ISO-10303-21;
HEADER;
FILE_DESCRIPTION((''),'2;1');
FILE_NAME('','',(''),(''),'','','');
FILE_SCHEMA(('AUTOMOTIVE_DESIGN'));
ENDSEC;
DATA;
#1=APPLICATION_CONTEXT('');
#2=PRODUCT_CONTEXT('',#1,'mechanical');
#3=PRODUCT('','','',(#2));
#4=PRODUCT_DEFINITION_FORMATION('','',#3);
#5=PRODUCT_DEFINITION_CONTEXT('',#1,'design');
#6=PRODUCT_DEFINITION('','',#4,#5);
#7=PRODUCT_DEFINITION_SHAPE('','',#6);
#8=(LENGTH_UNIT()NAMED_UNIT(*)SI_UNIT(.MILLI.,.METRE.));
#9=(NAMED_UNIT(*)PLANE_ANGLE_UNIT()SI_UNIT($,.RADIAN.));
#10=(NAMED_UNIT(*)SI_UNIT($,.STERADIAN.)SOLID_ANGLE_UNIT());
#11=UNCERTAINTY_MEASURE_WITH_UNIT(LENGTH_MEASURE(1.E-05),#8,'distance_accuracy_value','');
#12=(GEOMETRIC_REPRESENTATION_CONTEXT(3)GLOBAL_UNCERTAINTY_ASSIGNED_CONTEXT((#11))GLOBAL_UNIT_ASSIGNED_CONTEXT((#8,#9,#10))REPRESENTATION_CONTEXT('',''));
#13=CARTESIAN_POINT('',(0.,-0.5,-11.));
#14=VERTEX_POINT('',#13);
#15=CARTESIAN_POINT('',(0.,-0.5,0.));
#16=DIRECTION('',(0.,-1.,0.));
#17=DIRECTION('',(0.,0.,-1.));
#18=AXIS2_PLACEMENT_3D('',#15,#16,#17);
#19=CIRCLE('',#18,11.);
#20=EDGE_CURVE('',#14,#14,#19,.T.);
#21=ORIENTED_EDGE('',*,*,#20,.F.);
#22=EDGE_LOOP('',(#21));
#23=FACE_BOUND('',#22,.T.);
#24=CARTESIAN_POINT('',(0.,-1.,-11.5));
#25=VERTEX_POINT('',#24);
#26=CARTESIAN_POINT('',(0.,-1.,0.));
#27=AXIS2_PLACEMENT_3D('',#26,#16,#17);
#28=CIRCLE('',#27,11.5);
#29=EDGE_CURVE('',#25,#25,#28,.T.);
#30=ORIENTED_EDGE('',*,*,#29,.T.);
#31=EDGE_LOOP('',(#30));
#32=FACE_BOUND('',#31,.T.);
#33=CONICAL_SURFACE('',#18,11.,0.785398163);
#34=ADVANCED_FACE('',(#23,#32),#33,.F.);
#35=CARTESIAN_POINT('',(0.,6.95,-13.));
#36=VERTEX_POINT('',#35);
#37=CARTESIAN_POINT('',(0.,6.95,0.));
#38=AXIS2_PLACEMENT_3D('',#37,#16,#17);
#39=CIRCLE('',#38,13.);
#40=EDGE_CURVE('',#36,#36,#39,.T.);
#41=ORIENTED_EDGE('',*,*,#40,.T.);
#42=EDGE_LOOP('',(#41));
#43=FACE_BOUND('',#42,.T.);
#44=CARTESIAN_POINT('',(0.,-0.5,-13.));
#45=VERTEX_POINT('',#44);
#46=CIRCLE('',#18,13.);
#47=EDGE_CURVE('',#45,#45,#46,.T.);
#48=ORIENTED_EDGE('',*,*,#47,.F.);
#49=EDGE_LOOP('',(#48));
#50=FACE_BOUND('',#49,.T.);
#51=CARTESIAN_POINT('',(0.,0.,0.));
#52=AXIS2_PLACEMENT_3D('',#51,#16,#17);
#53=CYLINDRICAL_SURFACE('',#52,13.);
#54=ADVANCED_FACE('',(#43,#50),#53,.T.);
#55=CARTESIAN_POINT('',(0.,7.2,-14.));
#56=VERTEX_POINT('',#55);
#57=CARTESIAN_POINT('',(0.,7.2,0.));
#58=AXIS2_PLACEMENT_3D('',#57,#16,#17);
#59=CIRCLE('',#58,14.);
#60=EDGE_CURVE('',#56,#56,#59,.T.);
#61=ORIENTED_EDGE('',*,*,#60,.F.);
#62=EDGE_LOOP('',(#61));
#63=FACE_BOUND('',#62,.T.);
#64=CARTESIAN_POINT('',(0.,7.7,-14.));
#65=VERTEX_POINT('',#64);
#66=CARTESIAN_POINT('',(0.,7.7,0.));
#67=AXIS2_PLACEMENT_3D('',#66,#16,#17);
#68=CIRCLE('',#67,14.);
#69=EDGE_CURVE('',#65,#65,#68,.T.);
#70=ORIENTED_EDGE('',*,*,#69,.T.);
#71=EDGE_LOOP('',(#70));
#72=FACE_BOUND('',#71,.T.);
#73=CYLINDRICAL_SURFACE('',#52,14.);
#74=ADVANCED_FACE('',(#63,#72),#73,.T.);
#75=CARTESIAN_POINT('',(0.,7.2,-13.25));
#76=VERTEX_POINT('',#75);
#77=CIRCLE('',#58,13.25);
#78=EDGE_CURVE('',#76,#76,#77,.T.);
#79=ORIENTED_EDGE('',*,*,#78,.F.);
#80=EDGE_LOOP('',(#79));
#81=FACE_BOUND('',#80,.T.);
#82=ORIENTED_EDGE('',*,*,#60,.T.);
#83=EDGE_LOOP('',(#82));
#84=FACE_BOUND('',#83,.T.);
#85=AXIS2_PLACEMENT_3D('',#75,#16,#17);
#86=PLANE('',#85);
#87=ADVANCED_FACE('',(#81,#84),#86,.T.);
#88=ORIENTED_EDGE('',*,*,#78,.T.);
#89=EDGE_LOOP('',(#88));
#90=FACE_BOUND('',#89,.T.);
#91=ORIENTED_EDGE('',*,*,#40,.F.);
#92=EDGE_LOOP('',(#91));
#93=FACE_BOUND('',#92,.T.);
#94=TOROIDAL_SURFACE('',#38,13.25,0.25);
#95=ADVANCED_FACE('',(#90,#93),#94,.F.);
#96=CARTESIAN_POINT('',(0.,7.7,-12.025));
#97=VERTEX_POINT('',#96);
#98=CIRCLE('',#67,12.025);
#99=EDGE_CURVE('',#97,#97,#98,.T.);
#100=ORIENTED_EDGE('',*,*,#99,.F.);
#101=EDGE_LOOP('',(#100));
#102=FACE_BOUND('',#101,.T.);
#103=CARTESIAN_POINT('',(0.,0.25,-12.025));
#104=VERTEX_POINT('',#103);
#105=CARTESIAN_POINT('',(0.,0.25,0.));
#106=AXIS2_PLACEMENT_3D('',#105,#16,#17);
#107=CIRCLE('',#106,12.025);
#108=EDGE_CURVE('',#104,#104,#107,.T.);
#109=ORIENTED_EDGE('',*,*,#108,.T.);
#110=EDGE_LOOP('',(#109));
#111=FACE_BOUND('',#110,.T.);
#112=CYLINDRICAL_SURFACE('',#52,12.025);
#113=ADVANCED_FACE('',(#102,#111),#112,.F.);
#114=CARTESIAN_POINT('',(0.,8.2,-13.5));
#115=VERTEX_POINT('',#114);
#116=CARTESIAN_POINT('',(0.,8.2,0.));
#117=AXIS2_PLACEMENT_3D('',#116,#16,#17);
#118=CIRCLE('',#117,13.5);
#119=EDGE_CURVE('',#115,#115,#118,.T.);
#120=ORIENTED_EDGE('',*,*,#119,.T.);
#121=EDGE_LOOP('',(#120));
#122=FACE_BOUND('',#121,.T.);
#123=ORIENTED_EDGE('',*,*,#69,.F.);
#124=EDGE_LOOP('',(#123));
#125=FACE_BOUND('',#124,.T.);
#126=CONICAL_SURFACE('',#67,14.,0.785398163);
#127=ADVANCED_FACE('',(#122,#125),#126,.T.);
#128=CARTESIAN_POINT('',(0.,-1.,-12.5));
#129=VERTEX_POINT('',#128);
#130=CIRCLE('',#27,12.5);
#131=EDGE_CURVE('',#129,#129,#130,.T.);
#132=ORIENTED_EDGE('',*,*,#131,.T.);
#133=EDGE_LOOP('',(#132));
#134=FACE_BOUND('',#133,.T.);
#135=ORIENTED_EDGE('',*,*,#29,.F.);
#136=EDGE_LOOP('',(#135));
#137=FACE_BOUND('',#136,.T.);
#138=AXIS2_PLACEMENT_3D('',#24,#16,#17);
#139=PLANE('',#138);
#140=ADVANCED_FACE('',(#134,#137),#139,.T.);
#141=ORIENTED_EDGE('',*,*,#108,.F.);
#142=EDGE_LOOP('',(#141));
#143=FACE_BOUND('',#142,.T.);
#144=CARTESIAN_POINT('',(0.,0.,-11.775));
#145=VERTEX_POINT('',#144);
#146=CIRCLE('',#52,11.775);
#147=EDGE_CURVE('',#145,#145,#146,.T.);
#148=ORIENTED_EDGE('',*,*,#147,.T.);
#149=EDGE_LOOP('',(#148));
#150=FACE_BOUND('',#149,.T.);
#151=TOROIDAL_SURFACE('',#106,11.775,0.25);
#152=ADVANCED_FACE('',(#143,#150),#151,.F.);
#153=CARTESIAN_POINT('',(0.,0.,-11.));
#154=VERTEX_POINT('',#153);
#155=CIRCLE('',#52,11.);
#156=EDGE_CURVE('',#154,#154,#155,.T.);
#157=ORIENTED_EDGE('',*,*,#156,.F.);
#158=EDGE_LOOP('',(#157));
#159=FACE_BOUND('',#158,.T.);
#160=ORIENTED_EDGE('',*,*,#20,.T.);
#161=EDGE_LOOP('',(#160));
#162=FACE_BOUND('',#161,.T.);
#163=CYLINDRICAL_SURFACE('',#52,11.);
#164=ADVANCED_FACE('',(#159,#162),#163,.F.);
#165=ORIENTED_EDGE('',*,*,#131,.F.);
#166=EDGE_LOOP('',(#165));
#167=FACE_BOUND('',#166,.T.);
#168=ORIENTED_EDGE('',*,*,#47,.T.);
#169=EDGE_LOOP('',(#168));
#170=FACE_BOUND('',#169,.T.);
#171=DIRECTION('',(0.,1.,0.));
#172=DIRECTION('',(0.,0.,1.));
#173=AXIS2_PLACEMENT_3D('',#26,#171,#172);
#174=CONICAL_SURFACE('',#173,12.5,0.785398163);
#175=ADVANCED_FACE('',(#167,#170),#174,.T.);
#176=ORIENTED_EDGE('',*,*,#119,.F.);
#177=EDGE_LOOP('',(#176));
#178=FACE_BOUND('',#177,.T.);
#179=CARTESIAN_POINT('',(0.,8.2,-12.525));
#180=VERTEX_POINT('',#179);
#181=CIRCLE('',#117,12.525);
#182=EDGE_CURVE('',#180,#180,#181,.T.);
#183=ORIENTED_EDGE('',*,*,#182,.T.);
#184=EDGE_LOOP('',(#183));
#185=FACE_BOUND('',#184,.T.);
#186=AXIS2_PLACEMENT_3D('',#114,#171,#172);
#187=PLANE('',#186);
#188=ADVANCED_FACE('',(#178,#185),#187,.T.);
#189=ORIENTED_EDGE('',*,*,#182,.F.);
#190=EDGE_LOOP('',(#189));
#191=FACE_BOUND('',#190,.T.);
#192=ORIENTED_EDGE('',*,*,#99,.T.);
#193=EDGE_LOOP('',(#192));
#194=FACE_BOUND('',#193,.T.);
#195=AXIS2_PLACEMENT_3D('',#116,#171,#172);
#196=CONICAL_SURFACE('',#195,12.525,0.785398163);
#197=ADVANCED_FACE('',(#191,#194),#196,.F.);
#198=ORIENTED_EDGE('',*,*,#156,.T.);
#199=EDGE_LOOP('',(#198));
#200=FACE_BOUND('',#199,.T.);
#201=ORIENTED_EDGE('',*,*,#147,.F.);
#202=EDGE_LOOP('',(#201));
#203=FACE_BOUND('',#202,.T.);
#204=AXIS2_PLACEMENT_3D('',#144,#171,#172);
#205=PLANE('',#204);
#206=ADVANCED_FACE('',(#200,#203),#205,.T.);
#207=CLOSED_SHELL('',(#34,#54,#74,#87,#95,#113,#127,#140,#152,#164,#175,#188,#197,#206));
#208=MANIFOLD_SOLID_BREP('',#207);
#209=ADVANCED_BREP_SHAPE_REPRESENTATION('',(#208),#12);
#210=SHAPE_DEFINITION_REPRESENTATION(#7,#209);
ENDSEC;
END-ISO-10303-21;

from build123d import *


with BuildPart() as part:
    # Sketch1 → Revolve1 (revolve)
    with BuildSketch(Plane(origin=(0, 0, 0), x_dir=(0, 0, -1), z_dir=(1, 0, 0))):
        with BuildLine():
            Line((11, 0), (11, -0.5))
            Line((11, -0.5), (11.5, -1))
            Line((11.5, -1), (12.5, -1))
            Line((12.5, -1), (13, -0.5))
            Line((13, -0.5), (13, 6.95))
            ThreePointArc((13, 6.95), (13.073223305, 7.126776695), (13.25, 7.2))
            Line((13.25, 7.2), (14, 7.2))
            Line((14, 7.2), (14, 7.7))
            Line((14, 7.7), (13.5, 8.2))
            Line((13.5, 8.2), (12.525, 8.2))
            Line((12.525, 8.2), (12.025, 7.7))
            Line((12.025, 7.7), (12.025, 0.25))
            ThreePointArc((12.025, 0.25), (11.951776695, 0.073223305), (11.775, 0))
            Line((11.775, 0), (11, 0))
        make_face()
    revolve(axis=Axis((0, 0, 0), (0, 1, 0)))


solid = part.part
